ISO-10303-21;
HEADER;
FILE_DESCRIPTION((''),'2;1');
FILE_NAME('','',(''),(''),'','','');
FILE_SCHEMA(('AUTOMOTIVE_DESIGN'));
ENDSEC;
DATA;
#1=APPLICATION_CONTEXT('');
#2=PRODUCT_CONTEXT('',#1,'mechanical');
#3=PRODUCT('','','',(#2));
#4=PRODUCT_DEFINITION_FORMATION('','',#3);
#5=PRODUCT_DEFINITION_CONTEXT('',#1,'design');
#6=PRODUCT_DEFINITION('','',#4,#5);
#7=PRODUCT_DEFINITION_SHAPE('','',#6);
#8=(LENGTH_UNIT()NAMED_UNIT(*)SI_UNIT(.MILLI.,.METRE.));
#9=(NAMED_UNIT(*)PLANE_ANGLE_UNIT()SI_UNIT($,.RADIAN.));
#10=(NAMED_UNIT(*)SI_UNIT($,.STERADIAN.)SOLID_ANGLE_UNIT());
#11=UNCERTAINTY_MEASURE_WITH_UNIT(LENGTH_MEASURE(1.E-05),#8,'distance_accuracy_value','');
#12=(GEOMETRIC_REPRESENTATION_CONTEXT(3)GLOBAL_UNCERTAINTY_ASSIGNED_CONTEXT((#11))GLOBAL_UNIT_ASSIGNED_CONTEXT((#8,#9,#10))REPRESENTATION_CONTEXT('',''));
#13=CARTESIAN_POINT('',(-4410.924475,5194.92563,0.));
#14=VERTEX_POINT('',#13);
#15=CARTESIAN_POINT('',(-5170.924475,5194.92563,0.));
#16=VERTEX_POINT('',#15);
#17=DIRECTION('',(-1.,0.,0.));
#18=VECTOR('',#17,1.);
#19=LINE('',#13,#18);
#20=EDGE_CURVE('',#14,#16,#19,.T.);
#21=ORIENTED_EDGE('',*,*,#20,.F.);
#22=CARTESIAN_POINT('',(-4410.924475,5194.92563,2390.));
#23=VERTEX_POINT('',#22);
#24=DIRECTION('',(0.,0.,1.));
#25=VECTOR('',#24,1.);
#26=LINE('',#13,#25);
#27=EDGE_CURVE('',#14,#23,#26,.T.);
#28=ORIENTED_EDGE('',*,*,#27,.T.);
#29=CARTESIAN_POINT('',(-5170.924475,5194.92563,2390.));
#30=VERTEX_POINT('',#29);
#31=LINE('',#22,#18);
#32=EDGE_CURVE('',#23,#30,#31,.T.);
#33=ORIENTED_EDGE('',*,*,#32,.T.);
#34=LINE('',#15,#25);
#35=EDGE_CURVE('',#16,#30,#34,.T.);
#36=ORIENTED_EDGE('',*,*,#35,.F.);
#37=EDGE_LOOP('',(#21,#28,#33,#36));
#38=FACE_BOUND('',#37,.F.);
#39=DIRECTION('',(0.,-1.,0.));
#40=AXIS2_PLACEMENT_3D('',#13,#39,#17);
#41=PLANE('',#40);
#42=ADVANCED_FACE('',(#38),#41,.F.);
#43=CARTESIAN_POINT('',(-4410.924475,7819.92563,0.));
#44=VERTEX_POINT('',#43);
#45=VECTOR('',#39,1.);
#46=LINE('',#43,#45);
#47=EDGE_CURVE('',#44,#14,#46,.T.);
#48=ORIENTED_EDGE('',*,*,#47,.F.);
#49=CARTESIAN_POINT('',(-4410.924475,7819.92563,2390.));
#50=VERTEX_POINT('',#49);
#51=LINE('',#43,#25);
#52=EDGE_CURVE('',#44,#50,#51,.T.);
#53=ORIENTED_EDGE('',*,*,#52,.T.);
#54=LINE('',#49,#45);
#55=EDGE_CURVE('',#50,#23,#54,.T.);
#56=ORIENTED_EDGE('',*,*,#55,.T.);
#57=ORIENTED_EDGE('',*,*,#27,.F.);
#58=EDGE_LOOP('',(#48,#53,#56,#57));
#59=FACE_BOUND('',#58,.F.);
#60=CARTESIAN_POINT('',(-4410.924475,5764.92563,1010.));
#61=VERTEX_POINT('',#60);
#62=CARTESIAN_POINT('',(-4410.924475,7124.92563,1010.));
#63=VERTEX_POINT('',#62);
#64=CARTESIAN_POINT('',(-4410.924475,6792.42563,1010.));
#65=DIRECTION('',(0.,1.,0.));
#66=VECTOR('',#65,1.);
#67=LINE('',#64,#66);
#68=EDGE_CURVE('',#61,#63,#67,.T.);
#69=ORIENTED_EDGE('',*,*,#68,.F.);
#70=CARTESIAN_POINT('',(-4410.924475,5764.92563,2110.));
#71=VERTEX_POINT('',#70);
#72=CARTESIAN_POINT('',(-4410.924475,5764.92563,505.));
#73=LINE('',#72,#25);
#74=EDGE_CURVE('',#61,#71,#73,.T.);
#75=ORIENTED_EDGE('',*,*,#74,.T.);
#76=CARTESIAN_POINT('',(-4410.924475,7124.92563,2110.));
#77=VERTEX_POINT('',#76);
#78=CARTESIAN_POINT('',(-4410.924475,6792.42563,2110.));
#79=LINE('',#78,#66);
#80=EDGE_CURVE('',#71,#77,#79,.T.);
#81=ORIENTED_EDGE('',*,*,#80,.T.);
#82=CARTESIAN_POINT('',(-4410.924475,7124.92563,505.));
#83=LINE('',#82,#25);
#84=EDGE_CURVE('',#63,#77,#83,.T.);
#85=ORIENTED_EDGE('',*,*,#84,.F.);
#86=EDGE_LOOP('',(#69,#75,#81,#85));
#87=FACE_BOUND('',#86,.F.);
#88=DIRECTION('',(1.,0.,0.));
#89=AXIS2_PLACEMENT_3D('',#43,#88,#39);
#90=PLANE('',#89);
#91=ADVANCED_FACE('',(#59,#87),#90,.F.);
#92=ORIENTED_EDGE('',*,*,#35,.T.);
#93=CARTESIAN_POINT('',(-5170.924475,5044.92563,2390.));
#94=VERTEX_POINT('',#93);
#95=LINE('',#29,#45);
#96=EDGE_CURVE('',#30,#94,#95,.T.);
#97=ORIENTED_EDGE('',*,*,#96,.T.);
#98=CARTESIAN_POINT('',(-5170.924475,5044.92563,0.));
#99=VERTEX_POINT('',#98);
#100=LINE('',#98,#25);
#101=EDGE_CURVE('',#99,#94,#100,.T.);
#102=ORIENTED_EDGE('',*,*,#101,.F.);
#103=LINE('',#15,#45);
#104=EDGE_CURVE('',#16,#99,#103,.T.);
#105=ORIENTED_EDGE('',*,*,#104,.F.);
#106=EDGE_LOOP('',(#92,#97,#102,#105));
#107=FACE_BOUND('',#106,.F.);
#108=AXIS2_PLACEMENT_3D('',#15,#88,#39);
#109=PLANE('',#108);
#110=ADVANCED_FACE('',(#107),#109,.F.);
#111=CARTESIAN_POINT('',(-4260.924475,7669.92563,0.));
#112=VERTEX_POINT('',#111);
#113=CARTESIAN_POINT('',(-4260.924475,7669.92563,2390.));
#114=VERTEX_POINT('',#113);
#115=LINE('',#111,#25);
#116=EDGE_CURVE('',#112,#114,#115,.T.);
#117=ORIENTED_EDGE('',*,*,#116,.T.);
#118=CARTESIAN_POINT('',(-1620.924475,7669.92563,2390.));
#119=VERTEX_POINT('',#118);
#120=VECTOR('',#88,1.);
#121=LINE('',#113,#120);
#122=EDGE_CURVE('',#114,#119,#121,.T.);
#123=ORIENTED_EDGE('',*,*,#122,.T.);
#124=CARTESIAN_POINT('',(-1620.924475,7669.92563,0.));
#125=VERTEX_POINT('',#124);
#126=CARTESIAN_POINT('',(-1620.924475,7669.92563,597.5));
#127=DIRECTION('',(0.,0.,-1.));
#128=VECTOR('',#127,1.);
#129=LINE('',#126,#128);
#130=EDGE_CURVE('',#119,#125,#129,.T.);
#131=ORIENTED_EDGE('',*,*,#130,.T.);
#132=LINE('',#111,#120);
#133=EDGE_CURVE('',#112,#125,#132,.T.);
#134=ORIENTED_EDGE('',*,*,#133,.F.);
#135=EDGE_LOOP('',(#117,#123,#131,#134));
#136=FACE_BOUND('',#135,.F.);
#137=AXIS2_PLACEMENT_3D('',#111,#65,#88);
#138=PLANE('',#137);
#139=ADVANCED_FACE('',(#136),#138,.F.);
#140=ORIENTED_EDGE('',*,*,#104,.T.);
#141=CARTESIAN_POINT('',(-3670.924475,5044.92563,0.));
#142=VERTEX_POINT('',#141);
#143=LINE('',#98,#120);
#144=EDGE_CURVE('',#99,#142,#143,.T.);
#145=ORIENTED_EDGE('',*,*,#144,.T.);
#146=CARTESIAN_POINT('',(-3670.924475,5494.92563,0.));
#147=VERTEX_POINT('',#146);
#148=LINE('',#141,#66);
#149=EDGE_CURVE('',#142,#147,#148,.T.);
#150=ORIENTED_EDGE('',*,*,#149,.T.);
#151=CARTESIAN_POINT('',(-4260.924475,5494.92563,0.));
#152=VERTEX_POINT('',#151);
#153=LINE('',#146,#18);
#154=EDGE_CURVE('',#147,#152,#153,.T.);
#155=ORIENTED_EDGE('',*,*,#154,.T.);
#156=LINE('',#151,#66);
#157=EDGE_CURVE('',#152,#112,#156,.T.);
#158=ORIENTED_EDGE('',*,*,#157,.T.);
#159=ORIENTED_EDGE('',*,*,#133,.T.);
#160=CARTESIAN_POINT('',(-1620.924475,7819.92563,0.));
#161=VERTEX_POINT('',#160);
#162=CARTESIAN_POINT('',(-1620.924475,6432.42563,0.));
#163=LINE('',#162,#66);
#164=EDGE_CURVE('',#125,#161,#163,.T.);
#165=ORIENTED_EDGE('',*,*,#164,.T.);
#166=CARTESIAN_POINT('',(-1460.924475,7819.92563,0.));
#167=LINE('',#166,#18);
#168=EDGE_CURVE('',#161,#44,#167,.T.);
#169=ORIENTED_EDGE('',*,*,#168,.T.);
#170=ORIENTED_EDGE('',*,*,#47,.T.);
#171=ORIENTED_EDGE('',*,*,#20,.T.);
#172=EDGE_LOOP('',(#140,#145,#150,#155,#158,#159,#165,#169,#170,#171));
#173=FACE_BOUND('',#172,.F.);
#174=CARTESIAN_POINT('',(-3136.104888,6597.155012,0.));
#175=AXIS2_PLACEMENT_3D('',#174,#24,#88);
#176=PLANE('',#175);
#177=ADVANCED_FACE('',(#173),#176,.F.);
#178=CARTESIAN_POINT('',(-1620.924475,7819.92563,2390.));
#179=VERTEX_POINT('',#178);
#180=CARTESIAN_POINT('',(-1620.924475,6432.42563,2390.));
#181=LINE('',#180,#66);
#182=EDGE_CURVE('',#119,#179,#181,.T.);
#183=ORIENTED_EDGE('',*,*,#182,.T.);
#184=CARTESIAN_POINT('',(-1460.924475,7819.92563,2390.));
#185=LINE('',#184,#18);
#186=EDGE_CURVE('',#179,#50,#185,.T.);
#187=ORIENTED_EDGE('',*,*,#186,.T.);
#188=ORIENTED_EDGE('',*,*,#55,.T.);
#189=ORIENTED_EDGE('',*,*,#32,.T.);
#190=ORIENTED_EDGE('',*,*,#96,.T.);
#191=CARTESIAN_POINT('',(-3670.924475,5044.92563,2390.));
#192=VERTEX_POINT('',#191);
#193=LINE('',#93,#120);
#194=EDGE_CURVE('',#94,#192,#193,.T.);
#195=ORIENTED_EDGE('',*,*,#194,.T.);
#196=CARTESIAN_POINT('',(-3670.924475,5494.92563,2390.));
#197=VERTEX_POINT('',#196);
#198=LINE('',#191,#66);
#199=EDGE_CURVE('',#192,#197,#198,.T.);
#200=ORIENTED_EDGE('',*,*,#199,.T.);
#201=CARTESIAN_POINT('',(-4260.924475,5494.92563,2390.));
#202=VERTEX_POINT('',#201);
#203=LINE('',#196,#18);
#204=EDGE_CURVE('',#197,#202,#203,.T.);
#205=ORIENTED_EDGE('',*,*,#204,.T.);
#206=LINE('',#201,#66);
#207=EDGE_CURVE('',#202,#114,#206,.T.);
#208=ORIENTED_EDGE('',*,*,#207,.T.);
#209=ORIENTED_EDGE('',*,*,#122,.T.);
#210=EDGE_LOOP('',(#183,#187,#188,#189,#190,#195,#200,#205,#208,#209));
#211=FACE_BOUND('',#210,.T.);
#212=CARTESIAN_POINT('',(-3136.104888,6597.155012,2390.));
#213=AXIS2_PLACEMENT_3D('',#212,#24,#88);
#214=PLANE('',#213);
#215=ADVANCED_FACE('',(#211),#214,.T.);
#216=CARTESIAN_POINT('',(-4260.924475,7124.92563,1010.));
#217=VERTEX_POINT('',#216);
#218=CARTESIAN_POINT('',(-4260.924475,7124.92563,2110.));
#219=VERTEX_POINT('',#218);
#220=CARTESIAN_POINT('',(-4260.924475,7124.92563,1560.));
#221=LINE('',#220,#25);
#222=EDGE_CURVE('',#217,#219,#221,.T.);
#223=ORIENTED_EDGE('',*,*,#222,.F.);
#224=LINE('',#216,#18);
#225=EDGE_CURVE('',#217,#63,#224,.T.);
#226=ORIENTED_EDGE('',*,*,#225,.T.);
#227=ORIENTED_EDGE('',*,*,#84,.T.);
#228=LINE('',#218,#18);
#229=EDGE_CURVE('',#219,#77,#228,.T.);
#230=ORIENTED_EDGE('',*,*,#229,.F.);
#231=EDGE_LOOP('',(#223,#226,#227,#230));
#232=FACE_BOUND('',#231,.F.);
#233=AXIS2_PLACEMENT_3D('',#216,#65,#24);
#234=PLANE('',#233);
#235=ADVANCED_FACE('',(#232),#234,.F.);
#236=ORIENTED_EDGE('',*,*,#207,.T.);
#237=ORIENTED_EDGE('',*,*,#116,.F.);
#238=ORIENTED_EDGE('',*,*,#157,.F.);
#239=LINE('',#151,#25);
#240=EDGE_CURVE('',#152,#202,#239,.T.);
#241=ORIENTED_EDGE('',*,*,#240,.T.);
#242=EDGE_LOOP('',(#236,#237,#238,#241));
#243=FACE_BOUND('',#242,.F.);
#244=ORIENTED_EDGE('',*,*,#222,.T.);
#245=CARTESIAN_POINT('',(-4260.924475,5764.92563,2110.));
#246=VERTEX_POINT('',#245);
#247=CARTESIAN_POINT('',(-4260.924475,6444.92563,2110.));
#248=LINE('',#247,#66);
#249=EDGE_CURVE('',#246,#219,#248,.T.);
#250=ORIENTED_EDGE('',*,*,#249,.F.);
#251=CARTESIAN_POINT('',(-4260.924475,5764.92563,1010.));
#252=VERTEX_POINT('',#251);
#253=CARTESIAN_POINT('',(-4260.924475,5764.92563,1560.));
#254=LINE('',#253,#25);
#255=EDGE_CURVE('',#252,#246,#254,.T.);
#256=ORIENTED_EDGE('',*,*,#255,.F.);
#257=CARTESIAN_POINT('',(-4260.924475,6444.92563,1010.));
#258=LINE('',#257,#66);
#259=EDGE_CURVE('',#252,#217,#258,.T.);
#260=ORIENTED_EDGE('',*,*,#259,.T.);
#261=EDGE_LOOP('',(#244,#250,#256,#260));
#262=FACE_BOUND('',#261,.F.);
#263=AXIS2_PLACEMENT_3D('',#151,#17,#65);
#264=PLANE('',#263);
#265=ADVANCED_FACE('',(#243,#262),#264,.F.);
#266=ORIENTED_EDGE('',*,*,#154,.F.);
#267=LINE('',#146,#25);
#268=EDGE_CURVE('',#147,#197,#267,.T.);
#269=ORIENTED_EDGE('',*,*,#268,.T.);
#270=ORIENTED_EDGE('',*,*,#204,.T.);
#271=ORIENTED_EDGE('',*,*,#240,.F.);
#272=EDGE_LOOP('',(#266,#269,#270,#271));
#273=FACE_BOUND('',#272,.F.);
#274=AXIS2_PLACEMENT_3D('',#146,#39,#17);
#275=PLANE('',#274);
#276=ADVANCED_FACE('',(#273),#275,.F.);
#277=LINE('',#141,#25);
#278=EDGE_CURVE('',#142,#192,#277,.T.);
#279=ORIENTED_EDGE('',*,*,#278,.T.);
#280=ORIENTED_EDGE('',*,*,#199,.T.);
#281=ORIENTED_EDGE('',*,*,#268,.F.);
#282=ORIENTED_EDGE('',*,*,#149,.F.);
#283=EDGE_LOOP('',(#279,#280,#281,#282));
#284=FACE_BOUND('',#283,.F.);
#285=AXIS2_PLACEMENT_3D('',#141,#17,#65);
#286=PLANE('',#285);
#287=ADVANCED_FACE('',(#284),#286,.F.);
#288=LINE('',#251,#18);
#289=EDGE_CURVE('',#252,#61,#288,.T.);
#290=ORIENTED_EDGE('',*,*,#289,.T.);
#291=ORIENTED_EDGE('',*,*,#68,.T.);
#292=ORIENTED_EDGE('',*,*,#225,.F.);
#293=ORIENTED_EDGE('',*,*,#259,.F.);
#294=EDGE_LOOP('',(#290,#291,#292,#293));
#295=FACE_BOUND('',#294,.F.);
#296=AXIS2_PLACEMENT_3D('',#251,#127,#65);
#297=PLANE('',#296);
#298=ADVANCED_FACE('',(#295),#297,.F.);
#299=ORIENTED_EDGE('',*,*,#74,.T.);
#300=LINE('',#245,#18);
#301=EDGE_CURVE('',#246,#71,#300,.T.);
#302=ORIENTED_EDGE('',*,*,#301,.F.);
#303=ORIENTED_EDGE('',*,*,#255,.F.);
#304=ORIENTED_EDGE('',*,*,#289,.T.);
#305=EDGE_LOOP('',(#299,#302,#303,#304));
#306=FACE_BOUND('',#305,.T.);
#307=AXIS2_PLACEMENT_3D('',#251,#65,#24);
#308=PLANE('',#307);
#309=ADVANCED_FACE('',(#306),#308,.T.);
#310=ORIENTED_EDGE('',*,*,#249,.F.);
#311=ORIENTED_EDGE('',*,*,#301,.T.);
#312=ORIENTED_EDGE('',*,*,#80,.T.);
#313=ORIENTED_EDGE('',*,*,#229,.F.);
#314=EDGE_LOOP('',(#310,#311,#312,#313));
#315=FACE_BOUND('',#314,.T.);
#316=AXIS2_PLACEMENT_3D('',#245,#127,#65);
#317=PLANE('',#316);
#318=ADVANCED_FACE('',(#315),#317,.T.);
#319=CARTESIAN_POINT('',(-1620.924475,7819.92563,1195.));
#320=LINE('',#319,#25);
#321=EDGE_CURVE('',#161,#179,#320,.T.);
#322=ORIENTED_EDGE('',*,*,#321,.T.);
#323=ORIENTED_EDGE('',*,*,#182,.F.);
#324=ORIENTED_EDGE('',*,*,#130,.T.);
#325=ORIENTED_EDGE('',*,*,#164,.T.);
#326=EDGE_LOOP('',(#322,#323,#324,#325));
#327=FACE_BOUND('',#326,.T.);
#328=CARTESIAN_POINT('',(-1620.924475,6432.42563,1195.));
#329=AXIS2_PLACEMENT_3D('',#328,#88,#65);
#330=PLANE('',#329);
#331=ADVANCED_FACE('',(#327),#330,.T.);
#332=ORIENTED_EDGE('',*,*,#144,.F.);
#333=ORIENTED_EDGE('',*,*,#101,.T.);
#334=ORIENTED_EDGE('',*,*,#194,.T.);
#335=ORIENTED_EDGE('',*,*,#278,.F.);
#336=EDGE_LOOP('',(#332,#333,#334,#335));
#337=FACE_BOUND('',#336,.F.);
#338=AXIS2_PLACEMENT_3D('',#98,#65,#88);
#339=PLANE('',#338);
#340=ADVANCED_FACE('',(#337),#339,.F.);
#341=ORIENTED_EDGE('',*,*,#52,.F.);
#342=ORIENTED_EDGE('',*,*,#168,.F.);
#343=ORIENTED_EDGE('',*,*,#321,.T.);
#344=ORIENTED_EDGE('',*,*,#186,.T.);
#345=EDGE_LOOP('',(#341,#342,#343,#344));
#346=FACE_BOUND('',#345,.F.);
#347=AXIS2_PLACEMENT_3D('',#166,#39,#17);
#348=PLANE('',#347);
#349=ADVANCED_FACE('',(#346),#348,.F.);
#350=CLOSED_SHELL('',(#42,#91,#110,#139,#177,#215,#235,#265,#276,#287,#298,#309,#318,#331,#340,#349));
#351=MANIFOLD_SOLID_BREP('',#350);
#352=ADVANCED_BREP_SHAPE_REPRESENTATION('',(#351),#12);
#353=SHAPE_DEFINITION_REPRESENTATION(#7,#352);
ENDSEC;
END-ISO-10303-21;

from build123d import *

# Parameters (mm, degrees)
F2_DEPTH   = 2390
F3_W       = 1360
F3_H       = 1100
F2_FACE1_W = 2775
F2_FACE1_H = 2390
F4_DEPTH   = 160


with BuildPart() as f2:
    # F1 (on face) → F2 (new body)
    with BuildSketch(Plane.XY):
        Polygon((-4260.9244754411, 7669.9256300804), (-1610.9244754411, 7669.9256300804), (-1610.9244754411, 5044.9256300804), (-1460.9244754411, 5044.9256300804), (-1460.9244754411, 7819.9256300804), (-4410.9244754411, 7819.9256300804), (-4410.9244754411, 5194.9256300808), (-5170.9244754411, 5194.9256300808), (-5170.9244754411, 5044.9256300808), (-3670.9244754411, 5044.9256300808), (-3670.9244754411, 5494.9256300804), (-4260.9244754411, 5494.9256300804), align=None)
    extrude(amount=F2_DEPTH)

    # F3 (on face) + F2_face1 (on face) → F4 (cut)
    with BuildSketch(Plane.YZ.offset(-4260.9244754411)):
        with Locations((6444.9256300804, 1560)):
            Rectangle(F3_W, F3_H)
    with BuildSketch(Plane(origin=(-1460.9244754411, 6432.4256300804, 1195), x_dir=(0, 1, 0), z_dir=(1, 0, 0))):
        Rectangle(F2_FACE1_W, F2_FACE1_H)
    extrude(amount=-F4_DEPTH, mode=Mode.SUBTRACT)


solid = f2.part
